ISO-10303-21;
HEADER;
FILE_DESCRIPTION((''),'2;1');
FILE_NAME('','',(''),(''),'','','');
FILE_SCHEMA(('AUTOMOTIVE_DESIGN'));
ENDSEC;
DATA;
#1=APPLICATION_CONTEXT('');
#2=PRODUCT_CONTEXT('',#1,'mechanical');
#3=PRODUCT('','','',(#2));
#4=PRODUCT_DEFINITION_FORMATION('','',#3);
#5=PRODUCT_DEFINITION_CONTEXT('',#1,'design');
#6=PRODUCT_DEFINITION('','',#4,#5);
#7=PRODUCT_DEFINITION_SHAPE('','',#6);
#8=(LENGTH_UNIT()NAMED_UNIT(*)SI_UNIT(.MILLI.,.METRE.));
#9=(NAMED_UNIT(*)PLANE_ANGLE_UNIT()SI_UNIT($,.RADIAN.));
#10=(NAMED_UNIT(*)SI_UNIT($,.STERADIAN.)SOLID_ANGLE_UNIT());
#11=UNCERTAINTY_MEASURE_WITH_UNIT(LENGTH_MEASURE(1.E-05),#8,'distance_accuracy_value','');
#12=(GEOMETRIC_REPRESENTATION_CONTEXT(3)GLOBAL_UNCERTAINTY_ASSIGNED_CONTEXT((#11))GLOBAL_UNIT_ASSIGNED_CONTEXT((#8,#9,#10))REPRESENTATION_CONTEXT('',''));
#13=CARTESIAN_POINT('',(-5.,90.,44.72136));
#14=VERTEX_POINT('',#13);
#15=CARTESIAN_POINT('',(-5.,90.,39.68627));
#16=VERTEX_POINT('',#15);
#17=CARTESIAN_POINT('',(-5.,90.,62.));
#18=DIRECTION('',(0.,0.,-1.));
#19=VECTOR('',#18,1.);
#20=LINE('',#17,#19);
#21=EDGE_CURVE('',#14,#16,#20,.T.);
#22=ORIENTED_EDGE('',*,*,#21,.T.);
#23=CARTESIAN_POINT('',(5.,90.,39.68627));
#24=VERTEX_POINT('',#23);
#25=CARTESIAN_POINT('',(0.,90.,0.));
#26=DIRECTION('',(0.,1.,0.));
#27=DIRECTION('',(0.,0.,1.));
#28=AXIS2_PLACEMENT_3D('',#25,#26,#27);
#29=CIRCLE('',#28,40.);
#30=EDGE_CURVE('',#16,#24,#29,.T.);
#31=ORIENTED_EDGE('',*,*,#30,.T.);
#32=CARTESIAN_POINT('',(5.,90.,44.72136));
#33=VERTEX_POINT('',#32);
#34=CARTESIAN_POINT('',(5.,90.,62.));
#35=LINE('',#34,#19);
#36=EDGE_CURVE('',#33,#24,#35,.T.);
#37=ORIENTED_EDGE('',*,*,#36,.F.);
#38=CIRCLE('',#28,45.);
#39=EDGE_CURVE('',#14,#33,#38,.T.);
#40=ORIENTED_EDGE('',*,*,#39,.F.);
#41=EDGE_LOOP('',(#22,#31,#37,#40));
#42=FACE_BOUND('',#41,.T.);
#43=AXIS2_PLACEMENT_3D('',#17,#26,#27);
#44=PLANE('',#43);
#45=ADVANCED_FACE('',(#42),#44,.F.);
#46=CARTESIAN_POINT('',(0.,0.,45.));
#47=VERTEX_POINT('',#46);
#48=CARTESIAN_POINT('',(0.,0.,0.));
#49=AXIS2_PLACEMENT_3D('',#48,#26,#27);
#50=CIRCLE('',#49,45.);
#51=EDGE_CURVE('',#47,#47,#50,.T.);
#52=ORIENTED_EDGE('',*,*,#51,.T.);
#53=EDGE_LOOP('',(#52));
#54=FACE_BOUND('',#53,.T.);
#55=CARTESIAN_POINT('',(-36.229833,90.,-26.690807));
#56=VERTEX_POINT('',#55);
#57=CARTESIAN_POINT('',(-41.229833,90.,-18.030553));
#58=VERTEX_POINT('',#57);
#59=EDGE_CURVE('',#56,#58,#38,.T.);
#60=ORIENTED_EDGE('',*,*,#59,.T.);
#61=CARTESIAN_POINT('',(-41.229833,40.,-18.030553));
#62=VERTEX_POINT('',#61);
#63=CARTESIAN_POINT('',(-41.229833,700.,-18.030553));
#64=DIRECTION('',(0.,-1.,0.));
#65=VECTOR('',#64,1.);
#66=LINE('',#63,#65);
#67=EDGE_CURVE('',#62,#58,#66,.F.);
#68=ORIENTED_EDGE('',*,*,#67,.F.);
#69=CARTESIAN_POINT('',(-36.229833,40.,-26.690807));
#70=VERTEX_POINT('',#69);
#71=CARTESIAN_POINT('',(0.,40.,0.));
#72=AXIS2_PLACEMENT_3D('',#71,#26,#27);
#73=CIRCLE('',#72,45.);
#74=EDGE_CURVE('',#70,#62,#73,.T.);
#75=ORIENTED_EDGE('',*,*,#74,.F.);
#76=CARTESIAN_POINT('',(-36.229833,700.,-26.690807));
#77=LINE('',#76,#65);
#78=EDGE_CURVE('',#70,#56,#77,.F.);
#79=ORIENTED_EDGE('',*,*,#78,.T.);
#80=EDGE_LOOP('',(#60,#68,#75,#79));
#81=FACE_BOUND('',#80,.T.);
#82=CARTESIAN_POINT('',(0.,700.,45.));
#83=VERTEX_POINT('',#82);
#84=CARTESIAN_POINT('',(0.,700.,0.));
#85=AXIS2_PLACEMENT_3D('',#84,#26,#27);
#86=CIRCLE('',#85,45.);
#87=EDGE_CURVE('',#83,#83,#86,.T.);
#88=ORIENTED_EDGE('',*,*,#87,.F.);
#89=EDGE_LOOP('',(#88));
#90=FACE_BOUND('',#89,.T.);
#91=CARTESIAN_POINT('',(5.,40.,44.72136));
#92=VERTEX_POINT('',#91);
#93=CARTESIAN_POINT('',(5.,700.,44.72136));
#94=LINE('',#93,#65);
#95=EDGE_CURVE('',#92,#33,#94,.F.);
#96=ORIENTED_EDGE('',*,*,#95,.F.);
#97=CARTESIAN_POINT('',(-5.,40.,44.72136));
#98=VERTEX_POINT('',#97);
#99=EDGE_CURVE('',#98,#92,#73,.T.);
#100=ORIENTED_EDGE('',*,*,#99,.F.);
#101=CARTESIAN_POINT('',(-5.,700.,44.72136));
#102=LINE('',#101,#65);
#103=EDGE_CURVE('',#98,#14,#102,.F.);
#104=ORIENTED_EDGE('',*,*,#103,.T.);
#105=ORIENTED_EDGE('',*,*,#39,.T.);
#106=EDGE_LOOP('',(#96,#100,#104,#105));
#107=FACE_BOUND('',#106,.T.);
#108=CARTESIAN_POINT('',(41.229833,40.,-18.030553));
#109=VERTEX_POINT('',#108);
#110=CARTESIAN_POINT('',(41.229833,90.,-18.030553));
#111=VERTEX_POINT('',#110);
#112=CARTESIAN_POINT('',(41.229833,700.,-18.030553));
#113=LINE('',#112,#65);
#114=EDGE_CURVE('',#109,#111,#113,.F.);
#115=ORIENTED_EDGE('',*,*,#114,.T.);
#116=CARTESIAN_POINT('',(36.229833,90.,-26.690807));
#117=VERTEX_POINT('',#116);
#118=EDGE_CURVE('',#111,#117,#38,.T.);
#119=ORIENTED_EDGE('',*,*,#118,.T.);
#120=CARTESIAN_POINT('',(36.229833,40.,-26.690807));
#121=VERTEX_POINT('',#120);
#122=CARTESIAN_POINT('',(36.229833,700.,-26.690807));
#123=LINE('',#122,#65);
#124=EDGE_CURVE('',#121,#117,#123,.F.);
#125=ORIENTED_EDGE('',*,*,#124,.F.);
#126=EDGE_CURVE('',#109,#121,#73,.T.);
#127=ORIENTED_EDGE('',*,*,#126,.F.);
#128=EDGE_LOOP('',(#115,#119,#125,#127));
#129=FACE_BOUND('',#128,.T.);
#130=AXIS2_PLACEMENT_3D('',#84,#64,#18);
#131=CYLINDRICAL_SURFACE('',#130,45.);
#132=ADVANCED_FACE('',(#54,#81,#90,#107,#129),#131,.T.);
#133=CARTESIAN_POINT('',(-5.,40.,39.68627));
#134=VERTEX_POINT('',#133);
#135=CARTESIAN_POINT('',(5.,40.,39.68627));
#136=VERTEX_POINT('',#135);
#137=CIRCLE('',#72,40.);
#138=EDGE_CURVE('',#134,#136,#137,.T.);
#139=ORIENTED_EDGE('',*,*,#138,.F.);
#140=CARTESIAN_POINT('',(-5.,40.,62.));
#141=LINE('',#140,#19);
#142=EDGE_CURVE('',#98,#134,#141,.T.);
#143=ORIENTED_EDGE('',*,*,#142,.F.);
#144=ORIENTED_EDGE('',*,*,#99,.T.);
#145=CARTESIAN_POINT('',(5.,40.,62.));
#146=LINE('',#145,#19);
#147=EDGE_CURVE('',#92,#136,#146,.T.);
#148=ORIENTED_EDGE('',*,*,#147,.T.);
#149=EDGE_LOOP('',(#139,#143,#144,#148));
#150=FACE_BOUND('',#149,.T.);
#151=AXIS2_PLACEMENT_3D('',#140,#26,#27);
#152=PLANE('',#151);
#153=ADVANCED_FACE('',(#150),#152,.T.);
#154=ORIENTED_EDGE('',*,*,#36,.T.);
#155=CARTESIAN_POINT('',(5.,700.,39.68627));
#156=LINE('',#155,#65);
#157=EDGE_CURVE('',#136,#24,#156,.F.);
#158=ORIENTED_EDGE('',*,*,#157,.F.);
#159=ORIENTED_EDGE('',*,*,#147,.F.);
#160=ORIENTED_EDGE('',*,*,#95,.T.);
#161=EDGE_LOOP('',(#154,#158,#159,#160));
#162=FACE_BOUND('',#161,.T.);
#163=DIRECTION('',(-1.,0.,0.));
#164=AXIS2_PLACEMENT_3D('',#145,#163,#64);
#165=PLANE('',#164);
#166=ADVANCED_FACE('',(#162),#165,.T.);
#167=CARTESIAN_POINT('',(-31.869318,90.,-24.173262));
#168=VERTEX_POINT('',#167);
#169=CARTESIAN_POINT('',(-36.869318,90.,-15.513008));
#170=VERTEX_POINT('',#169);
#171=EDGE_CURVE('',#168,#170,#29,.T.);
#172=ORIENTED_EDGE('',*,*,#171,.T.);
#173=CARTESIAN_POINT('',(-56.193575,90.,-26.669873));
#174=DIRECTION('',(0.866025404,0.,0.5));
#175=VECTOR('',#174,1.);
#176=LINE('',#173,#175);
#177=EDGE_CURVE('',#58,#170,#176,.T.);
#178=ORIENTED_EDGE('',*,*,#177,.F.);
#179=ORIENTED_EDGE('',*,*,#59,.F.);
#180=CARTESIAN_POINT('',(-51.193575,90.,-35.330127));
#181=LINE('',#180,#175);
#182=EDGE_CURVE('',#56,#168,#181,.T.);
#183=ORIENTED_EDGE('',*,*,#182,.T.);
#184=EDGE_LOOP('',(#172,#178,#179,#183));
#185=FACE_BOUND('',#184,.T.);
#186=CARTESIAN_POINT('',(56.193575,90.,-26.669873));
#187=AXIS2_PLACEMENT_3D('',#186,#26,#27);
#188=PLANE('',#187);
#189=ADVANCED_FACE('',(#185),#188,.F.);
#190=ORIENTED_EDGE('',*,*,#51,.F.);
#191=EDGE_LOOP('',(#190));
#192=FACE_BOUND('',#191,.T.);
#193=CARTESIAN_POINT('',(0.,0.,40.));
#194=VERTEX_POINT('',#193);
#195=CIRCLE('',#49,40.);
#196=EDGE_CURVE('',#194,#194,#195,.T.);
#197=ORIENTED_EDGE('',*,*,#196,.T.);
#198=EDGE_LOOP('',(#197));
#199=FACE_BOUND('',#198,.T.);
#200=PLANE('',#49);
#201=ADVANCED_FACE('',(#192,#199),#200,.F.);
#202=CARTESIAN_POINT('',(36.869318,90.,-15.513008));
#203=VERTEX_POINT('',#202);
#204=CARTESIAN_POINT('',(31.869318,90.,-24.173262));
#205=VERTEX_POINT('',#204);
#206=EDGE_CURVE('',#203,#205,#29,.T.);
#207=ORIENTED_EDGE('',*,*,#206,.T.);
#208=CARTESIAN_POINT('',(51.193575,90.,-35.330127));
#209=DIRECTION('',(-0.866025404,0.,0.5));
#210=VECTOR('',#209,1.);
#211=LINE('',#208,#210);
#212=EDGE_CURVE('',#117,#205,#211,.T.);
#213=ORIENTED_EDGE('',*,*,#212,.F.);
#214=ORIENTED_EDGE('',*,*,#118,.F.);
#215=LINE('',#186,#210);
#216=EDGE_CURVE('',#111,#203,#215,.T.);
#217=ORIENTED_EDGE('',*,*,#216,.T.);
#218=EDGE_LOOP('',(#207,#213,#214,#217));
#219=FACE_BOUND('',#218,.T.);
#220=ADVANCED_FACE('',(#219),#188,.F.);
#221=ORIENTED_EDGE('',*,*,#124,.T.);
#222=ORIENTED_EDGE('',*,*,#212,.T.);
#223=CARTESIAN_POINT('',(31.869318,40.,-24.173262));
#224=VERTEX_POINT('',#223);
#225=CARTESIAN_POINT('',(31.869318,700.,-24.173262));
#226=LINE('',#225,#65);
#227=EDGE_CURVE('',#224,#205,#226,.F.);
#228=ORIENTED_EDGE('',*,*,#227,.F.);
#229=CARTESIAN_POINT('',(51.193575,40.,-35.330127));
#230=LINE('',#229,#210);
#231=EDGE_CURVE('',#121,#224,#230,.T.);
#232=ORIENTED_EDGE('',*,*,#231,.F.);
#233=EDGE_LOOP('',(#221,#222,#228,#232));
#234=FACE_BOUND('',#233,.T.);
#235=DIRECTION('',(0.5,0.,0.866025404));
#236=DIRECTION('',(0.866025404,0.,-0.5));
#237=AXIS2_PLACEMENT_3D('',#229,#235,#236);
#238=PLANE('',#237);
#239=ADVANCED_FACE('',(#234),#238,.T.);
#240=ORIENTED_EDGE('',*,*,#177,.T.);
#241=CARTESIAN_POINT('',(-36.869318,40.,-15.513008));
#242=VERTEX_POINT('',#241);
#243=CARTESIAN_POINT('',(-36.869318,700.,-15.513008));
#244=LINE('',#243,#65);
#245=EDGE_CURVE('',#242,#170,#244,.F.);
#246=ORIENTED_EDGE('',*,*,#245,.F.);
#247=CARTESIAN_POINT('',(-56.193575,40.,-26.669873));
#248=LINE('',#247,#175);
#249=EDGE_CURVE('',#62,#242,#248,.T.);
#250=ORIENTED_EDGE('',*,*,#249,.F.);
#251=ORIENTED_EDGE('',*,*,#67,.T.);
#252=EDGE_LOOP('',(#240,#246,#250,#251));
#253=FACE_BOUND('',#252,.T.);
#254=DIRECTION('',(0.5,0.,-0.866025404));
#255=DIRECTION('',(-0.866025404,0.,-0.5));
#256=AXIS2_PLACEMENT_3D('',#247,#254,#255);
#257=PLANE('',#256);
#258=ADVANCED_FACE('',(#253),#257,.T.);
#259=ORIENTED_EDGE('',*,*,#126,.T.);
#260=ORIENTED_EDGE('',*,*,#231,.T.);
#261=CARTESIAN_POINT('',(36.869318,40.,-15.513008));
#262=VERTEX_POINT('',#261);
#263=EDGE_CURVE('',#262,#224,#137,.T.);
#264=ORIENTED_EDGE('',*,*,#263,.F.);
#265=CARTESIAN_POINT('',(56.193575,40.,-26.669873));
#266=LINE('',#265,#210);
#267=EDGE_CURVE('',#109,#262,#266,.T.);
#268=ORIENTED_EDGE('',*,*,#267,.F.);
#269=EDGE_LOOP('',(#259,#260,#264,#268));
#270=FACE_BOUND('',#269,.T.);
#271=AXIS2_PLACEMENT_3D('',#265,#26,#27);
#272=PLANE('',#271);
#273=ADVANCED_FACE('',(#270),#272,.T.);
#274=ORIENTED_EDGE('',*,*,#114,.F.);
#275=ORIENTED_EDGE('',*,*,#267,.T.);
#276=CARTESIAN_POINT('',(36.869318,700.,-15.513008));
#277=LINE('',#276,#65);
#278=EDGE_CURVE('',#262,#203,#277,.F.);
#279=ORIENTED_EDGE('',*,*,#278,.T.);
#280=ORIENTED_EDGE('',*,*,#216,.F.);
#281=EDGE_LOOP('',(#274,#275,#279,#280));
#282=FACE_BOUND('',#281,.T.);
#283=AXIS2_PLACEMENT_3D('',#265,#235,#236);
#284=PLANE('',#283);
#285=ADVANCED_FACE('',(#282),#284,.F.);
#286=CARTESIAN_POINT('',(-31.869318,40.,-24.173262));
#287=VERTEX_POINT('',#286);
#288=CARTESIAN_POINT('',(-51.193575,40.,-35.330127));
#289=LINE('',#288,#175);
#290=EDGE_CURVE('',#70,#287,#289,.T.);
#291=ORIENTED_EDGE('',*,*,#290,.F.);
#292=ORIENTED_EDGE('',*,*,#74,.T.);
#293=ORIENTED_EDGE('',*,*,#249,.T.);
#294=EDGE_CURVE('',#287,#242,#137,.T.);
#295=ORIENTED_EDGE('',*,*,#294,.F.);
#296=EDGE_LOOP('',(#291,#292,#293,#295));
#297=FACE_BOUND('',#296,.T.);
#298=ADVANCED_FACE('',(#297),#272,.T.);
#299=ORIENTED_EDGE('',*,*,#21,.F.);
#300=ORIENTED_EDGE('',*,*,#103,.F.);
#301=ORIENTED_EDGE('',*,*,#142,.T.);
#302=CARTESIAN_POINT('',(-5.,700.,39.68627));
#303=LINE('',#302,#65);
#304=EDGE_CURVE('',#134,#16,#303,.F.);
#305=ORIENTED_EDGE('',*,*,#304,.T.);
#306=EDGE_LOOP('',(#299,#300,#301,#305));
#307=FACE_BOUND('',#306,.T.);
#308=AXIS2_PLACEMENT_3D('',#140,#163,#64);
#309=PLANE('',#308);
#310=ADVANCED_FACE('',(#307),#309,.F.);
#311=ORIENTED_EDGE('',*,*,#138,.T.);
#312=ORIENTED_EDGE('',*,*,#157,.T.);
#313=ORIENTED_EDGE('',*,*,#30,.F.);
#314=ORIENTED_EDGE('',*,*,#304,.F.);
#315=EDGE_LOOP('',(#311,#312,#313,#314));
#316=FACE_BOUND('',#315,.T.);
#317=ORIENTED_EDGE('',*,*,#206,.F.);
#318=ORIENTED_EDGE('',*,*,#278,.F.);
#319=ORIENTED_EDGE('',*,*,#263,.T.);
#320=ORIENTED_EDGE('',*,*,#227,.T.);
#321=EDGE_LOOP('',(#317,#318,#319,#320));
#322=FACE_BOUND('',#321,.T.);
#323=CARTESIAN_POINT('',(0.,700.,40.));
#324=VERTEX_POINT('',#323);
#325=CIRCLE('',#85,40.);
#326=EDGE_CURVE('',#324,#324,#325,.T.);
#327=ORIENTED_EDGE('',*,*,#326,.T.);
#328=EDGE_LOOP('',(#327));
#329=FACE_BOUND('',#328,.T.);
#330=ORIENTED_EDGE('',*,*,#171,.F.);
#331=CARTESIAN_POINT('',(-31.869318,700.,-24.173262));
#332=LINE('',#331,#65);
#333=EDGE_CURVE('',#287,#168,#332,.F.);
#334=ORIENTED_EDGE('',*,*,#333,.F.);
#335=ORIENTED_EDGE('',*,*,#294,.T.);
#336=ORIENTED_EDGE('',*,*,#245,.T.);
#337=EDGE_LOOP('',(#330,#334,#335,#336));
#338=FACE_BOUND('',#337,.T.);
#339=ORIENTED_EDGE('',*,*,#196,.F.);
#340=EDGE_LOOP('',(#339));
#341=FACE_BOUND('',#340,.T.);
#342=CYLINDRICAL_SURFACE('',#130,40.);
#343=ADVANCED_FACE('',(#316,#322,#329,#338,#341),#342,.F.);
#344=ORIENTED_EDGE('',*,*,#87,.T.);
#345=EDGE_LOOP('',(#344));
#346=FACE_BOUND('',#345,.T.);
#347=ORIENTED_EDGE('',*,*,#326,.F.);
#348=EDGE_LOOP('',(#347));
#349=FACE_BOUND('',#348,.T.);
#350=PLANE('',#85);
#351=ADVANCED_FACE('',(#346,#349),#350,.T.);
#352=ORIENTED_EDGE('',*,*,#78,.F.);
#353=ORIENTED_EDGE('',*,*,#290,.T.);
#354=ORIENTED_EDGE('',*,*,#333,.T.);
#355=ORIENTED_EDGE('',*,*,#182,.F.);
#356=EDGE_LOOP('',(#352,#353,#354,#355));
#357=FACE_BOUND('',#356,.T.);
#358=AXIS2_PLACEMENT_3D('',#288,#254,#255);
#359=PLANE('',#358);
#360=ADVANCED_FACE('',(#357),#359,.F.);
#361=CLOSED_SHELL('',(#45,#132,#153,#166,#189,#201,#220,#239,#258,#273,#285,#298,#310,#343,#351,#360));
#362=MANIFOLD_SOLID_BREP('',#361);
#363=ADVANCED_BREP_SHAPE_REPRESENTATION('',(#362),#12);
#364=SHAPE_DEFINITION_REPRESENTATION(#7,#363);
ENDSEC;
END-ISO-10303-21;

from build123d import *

# Parameters (mm, degrees)
SKETCH1_R           = 45
SKETCH1_R_2         = 40
BOSS_EXTRUDE2_DEPTH = 700
SKETCH2_W           = 10
SKETCH2_H           = 50
CUT_EXTRUDE4_DEPTH  = 62
CIRPATTERN1_COUNT   = 3


with BuildPart() as part:
    # Sketch1 → Boss-Extrude2 (new body)
    with BuildSketch(Plane(origin=(0, 0, 0), x_dir=(1, 0, 0), z_dir=(0, 1, 0))):
        with Locations(Location((0, 0, 0), (0, 0, 270))):
            Circle(SKETCH1_R)
        with Locations(Location((0, 0, 0), (0, 0, 270))):
            Circle(SKETCH1_R_2, mode=Mode.SUBTRACT)
    extrude(amount=BOSS_EXTRUDE2_DEPTH)

    # Sketch2 → Cut-Extrude4 (cut)
    with BuildSketch(Plane.XY):
        with Locations((0, 65)):
            Rectangle(SKETCH2_W, SKETCH2_H)
    cut_extrude4 = extrude(amount=CUT_EXTRUDE4_DEPTH, mode=Mode.SUBTRACT)

    # CirPattern1: Cut-Extrude4 ×3 about axis
    cirpattern1_axis = Axis((0, 0, 0), (0, 1, 0))
    for i in range(1, CIRPATTERN1_COUNT):
        add(cut_extrude4.rotate(cirpattern1_axis, i * 360 / CIRPATTERN1_COUNT), mode=Mode.SUBTRACT)


solid = part.part
